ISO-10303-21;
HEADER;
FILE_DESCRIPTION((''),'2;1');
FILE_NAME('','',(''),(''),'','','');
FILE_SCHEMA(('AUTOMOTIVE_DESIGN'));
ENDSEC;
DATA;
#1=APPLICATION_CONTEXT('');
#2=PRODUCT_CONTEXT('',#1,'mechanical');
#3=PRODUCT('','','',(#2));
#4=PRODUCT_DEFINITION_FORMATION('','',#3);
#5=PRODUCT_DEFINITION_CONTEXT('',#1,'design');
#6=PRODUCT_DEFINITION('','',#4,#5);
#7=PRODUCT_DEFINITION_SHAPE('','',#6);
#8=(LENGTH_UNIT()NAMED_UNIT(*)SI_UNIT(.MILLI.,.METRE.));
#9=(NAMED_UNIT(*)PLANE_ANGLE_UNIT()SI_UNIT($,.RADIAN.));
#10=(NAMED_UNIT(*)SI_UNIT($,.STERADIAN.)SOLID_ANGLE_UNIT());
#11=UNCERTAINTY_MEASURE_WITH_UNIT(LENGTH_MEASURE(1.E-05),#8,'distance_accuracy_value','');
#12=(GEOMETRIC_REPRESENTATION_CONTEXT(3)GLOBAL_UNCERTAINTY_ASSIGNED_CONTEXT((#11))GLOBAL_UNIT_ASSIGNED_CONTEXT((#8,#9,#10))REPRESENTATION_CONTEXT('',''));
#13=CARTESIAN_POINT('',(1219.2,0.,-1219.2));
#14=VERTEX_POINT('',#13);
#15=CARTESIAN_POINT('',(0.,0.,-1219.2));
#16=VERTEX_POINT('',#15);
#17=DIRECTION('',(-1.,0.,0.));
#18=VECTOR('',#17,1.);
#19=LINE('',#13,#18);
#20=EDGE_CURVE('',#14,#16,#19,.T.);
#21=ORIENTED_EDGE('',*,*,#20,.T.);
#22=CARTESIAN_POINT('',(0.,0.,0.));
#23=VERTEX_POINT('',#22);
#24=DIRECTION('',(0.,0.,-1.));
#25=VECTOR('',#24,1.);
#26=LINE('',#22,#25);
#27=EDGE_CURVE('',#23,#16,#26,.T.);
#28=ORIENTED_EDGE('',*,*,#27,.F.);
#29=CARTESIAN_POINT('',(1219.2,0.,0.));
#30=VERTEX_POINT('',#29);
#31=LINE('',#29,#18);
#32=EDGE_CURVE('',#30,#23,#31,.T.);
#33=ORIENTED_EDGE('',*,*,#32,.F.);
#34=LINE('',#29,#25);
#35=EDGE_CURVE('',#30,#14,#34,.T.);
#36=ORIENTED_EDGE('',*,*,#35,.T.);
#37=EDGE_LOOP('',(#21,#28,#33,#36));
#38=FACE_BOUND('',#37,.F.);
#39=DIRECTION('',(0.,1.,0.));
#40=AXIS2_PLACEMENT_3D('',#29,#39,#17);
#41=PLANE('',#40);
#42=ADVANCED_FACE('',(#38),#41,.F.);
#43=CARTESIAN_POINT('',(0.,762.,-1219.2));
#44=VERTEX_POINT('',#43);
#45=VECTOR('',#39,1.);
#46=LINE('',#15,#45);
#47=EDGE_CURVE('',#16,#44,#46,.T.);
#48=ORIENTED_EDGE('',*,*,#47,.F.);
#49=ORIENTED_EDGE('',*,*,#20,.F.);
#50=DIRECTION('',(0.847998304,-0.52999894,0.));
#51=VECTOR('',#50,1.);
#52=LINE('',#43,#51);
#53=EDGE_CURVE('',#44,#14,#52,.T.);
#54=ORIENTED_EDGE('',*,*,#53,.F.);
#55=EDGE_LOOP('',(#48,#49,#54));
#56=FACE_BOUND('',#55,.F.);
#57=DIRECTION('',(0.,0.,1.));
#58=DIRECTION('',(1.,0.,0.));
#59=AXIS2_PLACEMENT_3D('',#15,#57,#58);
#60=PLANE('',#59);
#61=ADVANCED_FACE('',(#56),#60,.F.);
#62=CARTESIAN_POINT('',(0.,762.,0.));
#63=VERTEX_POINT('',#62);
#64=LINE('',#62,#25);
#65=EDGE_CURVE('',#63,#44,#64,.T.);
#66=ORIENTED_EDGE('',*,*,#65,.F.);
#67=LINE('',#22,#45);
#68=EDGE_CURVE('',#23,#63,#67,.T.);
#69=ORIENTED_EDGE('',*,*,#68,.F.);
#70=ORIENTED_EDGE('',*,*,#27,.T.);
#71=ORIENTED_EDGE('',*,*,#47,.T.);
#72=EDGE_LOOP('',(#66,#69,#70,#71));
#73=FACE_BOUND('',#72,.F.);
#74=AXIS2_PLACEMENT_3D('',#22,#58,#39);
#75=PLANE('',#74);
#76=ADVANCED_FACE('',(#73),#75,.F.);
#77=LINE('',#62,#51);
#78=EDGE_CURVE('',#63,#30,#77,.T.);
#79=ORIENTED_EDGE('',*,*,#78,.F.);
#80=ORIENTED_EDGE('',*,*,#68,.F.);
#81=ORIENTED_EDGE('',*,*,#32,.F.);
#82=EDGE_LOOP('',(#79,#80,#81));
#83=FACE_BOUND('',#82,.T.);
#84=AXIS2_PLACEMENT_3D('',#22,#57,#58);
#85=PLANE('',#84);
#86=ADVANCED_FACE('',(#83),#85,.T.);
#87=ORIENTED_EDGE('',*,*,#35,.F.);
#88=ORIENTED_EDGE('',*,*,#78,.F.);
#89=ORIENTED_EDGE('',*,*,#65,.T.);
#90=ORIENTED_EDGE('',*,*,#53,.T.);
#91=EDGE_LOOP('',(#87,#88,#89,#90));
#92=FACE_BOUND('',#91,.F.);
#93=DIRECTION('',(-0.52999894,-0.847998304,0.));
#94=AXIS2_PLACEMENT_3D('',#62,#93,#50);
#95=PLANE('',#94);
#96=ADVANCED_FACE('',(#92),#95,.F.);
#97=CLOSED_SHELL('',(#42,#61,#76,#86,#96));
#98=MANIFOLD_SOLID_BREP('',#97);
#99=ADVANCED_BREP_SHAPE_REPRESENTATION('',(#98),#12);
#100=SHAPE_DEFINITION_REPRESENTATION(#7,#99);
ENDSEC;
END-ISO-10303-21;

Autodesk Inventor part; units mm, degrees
ref_plane "YZ Plane" through (0, 0, 0) normal (1, 0, 0) x (0, 1, 0)
ref_plane "XZ Plane" through (0, 0, 0) normal (0, 1, 0) x (-1, 0, 0)
ref_plane "XY Plane" through (0, 0, 0) normal (0, 0, 1) x (1, 0, 0)
sketch "Sketch1" plane through (0, 0, 0) normal (0, 0, 1) x (1, 0, 0)
  line L0 (0, 0) -> (0, 762)
  line L1 (0, 762) -> (1219.2, 0)
  line L2 (1219.2, 0) -> (0, 0)
  dimension "d0" = 762
  dimension "d1" = 1219.2
extrude "Extrusion1" add sketch "Sketch1" against normal blind 1219.2
properties part number "Game Design Ramp"
